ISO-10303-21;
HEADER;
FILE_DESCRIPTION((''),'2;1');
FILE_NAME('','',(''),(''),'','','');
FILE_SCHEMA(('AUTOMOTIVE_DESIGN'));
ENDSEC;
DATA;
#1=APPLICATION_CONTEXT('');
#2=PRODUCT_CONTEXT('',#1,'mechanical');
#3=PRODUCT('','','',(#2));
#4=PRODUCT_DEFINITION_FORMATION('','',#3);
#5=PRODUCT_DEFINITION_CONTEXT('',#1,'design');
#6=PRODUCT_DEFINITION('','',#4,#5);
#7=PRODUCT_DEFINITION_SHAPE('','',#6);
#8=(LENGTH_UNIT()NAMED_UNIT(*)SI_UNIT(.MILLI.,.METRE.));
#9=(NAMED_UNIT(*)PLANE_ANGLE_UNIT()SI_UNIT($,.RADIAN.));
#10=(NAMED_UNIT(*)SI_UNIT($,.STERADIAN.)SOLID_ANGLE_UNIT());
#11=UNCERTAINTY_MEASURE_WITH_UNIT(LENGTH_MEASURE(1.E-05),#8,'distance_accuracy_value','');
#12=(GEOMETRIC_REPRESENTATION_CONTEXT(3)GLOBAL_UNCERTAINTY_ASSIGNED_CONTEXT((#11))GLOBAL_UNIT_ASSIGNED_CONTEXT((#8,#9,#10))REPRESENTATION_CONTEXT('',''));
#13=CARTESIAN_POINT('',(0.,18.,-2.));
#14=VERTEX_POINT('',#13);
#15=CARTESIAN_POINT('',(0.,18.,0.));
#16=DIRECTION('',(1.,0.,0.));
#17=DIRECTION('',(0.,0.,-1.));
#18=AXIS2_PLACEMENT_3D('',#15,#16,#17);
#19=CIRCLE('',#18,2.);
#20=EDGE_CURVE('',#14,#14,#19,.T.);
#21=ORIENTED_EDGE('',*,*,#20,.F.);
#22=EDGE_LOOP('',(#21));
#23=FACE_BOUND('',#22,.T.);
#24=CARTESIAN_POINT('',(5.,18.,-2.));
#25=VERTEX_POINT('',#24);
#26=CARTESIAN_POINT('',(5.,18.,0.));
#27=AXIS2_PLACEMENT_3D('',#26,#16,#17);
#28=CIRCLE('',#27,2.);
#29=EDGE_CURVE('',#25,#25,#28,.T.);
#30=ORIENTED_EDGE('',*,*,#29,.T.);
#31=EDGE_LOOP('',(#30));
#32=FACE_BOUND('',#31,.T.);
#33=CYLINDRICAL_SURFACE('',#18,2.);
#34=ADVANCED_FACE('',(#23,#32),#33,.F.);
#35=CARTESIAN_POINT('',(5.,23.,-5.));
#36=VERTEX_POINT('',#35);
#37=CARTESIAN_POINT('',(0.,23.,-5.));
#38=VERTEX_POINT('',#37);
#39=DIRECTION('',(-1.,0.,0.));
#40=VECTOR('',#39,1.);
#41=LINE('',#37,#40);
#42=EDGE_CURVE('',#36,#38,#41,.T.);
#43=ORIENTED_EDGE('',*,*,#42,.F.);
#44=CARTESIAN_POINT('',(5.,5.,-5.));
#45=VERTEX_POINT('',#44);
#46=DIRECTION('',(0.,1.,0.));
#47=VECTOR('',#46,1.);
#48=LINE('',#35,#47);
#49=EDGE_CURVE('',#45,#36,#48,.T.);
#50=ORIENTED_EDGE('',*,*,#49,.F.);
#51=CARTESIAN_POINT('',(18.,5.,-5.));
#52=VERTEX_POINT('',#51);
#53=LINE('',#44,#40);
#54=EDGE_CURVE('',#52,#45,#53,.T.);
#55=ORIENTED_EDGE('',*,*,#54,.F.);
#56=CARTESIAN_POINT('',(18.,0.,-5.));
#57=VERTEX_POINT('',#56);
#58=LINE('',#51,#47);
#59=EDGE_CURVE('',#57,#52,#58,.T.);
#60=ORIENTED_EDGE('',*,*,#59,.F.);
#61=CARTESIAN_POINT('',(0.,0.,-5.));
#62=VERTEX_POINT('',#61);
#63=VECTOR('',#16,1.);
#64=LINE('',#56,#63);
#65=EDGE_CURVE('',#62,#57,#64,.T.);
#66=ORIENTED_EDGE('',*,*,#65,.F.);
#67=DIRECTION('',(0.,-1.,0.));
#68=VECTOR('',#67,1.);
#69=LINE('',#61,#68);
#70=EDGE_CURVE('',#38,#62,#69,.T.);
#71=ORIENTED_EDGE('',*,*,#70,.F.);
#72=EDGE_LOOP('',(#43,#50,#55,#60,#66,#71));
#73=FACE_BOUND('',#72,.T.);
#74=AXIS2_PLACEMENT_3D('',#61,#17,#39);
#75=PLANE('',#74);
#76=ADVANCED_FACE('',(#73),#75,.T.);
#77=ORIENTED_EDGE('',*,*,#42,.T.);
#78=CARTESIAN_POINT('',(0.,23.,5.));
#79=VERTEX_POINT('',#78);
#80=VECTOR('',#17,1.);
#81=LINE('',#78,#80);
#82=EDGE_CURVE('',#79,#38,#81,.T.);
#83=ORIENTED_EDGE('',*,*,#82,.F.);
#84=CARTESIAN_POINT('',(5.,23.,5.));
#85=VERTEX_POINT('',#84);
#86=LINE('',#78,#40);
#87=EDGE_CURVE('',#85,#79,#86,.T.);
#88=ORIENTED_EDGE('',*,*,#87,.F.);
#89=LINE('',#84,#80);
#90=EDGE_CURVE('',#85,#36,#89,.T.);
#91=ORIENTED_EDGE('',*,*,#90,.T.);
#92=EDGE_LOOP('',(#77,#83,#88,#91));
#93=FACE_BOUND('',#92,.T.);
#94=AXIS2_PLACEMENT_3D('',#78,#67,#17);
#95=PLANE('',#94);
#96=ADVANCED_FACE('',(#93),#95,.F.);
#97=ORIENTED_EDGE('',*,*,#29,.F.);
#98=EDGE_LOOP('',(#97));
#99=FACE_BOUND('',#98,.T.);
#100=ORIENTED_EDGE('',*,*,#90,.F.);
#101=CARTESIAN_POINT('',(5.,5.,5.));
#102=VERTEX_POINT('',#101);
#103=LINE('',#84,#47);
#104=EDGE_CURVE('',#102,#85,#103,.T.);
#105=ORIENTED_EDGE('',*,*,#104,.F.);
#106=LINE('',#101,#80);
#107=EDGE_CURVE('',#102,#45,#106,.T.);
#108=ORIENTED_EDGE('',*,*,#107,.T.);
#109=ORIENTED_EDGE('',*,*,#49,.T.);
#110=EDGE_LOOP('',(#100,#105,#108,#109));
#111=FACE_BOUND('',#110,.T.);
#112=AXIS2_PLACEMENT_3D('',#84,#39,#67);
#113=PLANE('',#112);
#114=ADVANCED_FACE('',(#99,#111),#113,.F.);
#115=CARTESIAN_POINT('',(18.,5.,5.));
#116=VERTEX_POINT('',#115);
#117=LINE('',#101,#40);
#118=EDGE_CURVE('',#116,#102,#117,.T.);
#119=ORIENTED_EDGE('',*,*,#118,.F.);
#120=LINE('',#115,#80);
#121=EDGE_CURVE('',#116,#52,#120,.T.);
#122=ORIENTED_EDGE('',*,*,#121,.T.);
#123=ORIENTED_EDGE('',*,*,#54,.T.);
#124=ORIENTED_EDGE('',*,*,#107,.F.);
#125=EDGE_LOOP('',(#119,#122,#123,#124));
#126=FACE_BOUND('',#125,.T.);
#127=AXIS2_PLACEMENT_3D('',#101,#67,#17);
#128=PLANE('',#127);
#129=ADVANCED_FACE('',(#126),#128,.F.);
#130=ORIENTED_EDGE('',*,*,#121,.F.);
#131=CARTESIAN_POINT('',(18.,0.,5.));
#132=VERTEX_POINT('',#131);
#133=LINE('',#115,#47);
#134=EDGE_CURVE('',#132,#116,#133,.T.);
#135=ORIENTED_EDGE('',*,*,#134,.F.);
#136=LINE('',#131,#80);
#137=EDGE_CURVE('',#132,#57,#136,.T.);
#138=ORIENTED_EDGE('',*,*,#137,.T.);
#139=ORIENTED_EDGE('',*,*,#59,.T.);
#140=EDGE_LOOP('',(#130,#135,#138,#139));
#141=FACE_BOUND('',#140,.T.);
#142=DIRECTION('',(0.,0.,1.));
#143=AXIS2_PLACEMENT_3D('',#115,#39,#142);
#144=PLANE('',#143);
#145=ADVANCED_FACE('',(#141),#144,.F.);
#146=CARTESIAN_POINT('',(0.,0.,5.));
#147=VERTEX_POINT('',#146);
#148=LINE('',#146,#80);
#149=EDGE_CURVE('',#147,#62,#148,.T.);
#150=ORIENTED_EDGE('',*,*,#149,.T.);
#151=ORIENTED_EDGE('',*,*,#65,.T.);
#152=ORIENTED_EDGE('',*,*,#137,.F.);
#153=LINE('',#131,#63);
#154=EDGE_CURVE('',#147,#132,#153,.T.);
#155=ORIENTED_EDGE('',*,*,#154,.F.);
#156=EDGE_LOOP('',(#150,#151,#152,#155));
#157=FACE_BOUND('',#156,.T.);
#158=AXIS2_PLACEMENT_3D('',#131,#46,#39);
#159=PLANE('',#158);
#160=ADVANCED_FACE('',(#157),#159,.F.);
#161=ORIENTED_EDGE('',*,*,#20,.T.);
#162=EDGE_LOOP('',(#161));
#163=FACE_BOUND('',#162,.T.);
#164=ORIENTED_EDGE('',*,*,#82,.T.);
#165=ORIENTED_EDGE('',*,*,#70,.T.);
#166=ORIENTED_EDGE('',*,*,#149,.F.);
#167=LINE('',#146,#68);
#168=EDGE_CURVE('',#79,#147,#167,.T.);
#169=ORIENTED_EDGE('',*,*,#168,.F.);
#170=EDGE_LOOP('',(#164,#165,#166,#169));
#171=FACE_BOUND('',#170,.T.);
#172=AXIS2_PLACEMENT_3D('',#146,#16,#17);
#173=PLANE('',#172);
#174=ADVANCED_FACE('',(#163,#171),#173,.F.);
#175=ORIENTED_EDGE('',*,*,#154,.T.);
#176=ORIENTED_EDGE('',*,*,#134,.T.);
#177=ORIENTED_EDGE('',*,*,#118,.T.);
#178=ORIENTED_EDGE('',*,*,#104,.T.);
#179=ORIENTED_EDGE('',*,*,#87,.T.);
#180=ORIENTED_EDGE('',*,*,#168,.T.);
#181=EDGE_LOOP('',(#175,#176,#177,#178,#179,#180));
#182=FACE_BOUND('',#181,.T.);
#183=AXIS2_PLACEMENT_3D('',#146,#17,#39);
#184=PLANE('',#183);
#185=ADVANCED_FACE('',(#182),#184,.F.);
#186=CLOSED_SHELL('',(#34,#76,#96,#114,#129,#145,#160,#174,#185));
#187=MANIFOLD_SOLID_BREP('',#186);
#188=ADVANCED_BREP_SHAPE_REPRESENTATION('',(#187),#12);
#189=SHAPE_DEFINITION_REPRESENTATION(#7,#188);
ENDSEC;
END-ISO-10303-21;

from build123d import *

# Parameters (mm, degrees)
SALIENTE_EXTRUIR1_DEPTH = 5
CROQUIS2_R              = 2
CORTAR_EXTRUIR1_DEPTH   = 27.888659319


with BuildPart() as part:
    # Croquis1 → Saliente-Extruir1 (new, symmetric)
    with BuildSketch(Plane.XY):
        Polygon((0, 0), (0, 23), (5, 23), (5, 5), (18, 5), (18, 0), align=None)
    extrude(amount=SALIENTE_EXTRUIR1_DEPTH, both=True)

    # Croquis2 → Cortar-Extruir1 (cut, through all)
    with BuildSketch(Plane(origin=(5, 0, 0), x_dir=(0, 0, -1), z_dir=(1, 0, 0))):
        with Locations((0, 18)):
            Circle(CROQUIS2_R)
    extrude(amount=-CORTAR_EXTRUIR1_DEPTH, mode=Mode.SUBTRACT)


solid = part.part
